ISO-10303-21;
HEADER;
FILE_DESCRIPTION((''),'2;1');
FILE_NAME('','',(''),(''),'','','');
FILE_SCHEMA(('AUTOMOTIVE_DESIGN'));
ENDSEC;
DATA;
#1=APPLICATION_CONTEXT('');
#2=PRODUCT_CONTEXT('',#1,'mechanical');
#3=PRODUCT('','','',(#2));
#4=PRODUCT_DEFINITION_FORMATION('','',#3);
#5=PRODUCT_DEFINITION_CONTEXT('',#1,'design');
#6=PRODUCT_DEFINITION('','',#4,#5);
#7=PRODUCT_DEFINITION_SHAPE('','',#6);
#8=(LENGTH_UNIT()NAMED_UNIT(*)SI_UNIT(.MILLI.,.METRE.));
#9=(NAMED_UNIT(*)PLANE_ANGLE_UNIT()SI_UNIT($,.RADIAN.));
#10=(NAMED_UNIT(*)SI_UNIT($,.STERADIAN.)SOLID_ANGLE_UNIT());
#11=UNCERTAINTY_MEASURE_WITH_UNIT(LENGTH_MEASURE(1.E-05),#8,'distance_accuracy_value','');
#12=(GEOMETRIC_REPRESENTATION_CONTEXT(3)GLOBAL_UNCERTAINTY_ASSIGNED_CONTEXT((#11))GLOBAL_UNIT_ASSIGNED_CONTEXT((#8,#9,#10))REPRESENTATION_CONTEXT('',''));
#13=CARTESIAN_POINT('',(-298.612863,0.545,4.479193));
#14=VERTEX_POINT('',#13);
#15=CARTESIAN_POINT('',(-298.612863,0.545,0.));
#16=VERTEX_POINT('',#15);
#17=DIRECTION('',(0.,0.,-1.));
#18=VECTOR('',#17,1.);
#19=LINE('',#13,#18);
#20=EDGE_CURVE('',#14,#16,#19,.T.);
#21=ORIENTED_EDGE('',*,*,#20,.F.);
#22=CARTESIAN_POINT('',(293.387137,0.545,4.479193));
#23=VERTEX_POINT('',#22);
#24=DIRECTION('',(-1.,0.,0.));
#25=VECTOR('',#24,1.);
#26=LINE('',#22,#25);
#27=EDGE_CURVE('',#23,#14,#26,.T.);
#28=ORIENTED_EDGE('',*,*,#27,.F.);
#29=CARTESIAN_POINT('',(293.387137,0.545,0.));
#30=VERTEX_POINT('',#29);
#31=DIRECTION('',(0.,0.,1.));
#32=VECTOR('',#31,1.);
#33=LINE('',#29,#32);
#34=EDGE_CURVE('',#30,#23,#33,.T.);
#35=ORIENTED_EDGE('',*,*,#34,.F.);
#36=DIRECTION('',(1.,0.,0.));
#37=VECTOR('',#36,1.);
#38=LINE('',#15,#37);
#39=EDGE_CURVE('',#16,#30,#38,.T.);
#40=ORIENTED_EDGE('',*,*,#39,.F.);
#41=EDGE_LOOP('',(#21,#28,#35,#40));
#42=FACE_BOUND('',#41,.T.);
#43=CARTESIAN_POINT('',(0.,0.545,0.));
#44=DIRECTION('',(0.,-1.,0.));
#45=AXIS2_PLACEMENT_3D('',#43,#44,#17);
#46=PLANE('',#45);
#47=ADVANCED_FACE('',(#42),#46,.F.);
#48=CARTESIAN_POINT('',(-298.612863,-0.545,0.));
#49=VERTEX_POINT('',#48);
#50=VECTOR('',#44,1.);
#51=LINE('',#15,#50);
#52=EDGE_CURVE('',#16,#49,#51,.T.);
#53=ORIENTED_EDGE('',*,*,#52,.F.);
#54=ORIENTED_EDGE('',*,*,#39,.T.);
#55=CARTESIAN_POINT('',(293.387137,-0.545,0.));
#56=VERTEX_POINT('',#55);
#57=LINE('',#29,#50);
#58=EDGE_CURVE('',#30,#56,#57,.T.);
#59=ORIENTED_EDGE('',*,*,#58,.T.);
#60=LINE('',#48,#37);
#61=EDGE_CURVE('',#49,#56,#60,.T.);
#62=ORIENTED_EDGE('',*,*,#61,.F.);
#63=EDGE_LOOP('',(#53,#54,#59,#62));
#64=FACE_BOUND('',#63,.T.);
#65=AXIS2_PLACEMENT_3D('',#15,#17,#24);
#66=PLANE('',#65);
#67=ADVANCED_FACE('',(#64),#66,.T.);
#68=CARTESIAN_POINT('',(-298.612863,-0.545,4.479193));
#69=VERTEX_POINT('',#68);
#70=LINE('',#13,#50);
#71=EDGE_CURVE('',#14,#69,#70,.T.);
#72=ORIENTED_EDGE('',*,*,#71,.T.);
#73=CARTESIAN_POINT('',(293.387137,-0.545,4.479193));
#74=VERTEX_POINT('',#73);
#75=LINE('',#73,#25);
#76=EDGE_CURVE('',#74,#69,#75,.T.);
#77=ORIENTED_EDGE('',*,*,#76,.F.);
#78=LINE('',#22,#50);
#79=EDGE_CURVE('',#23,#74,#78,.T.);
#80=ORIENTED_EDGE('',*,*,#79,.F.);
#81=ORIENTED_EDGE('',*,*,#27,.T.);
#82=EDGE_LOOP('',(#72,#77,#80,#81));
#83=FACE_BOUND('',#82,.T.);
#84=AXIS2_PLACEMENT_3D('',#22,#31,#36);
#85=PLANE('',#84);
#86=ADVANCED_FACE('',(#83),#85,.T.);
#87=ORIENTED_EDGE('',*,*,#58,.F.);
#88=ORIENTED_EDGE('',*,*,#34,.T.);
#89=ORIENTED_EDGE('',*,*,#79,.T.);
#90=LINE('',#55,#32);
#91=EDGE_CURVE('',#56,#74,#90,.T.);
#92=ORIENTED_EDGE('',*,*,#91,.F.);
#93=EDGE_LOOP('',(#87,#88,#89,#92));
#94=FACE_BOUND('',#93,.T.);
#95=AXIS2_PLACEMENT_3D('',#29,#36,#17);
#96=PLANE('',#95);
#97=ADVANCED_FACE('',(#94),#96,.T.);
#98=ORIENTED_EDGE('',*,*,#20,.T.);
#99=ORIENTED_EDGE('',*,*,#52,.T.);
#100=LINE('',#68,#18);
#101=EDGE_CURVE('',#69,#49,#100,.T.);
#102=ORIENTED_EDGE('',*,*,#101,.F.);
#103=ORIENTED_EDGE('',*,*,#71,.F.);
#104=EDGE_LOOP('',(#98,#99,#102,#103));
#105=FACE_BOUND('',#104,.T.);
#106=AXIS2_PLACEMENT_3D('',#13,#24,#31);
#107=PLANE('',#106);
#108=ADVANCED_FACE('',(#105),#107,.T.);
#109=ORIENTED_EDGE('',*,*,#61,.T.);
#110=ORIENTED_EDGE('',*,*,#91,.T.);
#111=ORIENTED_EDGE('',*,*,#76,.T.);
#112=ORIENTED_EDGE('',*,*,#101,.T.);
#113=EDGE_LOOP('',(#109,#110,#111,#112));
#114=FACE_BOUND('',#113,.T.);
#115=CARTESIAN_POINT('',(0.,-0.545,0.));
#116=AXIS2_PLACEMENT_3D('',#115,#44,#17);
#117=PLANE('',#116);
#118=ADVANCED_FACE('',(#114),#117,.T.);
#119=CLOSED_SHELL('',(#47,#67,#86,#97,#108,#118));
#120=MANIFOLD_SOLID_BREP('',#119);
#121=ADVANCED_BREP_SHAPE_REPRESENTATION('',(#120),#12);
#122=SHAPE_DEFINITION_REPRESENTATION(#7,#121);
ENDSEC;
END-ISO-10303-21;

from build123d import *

# Parameters (mm, degrees)
SKETCH_1_W      = 592
SKETCH_1_H      = 4.479192938
EXTRUDE_1_DEPTH = 1.09


with BuildPart() as part:
    # Эскиз1 → Бобышка-Вытянуть1 (new body)
    with BuildSketch(Plane.XZ.offset(0.545)):
        with Locations((-2.612862547, 2.239596469)):
            Rectangle(SKETCH_1_W, SKETCH_1_H)
    extrude(amount=-EXTRUDE_1_DEPTH)


solid = part.part
